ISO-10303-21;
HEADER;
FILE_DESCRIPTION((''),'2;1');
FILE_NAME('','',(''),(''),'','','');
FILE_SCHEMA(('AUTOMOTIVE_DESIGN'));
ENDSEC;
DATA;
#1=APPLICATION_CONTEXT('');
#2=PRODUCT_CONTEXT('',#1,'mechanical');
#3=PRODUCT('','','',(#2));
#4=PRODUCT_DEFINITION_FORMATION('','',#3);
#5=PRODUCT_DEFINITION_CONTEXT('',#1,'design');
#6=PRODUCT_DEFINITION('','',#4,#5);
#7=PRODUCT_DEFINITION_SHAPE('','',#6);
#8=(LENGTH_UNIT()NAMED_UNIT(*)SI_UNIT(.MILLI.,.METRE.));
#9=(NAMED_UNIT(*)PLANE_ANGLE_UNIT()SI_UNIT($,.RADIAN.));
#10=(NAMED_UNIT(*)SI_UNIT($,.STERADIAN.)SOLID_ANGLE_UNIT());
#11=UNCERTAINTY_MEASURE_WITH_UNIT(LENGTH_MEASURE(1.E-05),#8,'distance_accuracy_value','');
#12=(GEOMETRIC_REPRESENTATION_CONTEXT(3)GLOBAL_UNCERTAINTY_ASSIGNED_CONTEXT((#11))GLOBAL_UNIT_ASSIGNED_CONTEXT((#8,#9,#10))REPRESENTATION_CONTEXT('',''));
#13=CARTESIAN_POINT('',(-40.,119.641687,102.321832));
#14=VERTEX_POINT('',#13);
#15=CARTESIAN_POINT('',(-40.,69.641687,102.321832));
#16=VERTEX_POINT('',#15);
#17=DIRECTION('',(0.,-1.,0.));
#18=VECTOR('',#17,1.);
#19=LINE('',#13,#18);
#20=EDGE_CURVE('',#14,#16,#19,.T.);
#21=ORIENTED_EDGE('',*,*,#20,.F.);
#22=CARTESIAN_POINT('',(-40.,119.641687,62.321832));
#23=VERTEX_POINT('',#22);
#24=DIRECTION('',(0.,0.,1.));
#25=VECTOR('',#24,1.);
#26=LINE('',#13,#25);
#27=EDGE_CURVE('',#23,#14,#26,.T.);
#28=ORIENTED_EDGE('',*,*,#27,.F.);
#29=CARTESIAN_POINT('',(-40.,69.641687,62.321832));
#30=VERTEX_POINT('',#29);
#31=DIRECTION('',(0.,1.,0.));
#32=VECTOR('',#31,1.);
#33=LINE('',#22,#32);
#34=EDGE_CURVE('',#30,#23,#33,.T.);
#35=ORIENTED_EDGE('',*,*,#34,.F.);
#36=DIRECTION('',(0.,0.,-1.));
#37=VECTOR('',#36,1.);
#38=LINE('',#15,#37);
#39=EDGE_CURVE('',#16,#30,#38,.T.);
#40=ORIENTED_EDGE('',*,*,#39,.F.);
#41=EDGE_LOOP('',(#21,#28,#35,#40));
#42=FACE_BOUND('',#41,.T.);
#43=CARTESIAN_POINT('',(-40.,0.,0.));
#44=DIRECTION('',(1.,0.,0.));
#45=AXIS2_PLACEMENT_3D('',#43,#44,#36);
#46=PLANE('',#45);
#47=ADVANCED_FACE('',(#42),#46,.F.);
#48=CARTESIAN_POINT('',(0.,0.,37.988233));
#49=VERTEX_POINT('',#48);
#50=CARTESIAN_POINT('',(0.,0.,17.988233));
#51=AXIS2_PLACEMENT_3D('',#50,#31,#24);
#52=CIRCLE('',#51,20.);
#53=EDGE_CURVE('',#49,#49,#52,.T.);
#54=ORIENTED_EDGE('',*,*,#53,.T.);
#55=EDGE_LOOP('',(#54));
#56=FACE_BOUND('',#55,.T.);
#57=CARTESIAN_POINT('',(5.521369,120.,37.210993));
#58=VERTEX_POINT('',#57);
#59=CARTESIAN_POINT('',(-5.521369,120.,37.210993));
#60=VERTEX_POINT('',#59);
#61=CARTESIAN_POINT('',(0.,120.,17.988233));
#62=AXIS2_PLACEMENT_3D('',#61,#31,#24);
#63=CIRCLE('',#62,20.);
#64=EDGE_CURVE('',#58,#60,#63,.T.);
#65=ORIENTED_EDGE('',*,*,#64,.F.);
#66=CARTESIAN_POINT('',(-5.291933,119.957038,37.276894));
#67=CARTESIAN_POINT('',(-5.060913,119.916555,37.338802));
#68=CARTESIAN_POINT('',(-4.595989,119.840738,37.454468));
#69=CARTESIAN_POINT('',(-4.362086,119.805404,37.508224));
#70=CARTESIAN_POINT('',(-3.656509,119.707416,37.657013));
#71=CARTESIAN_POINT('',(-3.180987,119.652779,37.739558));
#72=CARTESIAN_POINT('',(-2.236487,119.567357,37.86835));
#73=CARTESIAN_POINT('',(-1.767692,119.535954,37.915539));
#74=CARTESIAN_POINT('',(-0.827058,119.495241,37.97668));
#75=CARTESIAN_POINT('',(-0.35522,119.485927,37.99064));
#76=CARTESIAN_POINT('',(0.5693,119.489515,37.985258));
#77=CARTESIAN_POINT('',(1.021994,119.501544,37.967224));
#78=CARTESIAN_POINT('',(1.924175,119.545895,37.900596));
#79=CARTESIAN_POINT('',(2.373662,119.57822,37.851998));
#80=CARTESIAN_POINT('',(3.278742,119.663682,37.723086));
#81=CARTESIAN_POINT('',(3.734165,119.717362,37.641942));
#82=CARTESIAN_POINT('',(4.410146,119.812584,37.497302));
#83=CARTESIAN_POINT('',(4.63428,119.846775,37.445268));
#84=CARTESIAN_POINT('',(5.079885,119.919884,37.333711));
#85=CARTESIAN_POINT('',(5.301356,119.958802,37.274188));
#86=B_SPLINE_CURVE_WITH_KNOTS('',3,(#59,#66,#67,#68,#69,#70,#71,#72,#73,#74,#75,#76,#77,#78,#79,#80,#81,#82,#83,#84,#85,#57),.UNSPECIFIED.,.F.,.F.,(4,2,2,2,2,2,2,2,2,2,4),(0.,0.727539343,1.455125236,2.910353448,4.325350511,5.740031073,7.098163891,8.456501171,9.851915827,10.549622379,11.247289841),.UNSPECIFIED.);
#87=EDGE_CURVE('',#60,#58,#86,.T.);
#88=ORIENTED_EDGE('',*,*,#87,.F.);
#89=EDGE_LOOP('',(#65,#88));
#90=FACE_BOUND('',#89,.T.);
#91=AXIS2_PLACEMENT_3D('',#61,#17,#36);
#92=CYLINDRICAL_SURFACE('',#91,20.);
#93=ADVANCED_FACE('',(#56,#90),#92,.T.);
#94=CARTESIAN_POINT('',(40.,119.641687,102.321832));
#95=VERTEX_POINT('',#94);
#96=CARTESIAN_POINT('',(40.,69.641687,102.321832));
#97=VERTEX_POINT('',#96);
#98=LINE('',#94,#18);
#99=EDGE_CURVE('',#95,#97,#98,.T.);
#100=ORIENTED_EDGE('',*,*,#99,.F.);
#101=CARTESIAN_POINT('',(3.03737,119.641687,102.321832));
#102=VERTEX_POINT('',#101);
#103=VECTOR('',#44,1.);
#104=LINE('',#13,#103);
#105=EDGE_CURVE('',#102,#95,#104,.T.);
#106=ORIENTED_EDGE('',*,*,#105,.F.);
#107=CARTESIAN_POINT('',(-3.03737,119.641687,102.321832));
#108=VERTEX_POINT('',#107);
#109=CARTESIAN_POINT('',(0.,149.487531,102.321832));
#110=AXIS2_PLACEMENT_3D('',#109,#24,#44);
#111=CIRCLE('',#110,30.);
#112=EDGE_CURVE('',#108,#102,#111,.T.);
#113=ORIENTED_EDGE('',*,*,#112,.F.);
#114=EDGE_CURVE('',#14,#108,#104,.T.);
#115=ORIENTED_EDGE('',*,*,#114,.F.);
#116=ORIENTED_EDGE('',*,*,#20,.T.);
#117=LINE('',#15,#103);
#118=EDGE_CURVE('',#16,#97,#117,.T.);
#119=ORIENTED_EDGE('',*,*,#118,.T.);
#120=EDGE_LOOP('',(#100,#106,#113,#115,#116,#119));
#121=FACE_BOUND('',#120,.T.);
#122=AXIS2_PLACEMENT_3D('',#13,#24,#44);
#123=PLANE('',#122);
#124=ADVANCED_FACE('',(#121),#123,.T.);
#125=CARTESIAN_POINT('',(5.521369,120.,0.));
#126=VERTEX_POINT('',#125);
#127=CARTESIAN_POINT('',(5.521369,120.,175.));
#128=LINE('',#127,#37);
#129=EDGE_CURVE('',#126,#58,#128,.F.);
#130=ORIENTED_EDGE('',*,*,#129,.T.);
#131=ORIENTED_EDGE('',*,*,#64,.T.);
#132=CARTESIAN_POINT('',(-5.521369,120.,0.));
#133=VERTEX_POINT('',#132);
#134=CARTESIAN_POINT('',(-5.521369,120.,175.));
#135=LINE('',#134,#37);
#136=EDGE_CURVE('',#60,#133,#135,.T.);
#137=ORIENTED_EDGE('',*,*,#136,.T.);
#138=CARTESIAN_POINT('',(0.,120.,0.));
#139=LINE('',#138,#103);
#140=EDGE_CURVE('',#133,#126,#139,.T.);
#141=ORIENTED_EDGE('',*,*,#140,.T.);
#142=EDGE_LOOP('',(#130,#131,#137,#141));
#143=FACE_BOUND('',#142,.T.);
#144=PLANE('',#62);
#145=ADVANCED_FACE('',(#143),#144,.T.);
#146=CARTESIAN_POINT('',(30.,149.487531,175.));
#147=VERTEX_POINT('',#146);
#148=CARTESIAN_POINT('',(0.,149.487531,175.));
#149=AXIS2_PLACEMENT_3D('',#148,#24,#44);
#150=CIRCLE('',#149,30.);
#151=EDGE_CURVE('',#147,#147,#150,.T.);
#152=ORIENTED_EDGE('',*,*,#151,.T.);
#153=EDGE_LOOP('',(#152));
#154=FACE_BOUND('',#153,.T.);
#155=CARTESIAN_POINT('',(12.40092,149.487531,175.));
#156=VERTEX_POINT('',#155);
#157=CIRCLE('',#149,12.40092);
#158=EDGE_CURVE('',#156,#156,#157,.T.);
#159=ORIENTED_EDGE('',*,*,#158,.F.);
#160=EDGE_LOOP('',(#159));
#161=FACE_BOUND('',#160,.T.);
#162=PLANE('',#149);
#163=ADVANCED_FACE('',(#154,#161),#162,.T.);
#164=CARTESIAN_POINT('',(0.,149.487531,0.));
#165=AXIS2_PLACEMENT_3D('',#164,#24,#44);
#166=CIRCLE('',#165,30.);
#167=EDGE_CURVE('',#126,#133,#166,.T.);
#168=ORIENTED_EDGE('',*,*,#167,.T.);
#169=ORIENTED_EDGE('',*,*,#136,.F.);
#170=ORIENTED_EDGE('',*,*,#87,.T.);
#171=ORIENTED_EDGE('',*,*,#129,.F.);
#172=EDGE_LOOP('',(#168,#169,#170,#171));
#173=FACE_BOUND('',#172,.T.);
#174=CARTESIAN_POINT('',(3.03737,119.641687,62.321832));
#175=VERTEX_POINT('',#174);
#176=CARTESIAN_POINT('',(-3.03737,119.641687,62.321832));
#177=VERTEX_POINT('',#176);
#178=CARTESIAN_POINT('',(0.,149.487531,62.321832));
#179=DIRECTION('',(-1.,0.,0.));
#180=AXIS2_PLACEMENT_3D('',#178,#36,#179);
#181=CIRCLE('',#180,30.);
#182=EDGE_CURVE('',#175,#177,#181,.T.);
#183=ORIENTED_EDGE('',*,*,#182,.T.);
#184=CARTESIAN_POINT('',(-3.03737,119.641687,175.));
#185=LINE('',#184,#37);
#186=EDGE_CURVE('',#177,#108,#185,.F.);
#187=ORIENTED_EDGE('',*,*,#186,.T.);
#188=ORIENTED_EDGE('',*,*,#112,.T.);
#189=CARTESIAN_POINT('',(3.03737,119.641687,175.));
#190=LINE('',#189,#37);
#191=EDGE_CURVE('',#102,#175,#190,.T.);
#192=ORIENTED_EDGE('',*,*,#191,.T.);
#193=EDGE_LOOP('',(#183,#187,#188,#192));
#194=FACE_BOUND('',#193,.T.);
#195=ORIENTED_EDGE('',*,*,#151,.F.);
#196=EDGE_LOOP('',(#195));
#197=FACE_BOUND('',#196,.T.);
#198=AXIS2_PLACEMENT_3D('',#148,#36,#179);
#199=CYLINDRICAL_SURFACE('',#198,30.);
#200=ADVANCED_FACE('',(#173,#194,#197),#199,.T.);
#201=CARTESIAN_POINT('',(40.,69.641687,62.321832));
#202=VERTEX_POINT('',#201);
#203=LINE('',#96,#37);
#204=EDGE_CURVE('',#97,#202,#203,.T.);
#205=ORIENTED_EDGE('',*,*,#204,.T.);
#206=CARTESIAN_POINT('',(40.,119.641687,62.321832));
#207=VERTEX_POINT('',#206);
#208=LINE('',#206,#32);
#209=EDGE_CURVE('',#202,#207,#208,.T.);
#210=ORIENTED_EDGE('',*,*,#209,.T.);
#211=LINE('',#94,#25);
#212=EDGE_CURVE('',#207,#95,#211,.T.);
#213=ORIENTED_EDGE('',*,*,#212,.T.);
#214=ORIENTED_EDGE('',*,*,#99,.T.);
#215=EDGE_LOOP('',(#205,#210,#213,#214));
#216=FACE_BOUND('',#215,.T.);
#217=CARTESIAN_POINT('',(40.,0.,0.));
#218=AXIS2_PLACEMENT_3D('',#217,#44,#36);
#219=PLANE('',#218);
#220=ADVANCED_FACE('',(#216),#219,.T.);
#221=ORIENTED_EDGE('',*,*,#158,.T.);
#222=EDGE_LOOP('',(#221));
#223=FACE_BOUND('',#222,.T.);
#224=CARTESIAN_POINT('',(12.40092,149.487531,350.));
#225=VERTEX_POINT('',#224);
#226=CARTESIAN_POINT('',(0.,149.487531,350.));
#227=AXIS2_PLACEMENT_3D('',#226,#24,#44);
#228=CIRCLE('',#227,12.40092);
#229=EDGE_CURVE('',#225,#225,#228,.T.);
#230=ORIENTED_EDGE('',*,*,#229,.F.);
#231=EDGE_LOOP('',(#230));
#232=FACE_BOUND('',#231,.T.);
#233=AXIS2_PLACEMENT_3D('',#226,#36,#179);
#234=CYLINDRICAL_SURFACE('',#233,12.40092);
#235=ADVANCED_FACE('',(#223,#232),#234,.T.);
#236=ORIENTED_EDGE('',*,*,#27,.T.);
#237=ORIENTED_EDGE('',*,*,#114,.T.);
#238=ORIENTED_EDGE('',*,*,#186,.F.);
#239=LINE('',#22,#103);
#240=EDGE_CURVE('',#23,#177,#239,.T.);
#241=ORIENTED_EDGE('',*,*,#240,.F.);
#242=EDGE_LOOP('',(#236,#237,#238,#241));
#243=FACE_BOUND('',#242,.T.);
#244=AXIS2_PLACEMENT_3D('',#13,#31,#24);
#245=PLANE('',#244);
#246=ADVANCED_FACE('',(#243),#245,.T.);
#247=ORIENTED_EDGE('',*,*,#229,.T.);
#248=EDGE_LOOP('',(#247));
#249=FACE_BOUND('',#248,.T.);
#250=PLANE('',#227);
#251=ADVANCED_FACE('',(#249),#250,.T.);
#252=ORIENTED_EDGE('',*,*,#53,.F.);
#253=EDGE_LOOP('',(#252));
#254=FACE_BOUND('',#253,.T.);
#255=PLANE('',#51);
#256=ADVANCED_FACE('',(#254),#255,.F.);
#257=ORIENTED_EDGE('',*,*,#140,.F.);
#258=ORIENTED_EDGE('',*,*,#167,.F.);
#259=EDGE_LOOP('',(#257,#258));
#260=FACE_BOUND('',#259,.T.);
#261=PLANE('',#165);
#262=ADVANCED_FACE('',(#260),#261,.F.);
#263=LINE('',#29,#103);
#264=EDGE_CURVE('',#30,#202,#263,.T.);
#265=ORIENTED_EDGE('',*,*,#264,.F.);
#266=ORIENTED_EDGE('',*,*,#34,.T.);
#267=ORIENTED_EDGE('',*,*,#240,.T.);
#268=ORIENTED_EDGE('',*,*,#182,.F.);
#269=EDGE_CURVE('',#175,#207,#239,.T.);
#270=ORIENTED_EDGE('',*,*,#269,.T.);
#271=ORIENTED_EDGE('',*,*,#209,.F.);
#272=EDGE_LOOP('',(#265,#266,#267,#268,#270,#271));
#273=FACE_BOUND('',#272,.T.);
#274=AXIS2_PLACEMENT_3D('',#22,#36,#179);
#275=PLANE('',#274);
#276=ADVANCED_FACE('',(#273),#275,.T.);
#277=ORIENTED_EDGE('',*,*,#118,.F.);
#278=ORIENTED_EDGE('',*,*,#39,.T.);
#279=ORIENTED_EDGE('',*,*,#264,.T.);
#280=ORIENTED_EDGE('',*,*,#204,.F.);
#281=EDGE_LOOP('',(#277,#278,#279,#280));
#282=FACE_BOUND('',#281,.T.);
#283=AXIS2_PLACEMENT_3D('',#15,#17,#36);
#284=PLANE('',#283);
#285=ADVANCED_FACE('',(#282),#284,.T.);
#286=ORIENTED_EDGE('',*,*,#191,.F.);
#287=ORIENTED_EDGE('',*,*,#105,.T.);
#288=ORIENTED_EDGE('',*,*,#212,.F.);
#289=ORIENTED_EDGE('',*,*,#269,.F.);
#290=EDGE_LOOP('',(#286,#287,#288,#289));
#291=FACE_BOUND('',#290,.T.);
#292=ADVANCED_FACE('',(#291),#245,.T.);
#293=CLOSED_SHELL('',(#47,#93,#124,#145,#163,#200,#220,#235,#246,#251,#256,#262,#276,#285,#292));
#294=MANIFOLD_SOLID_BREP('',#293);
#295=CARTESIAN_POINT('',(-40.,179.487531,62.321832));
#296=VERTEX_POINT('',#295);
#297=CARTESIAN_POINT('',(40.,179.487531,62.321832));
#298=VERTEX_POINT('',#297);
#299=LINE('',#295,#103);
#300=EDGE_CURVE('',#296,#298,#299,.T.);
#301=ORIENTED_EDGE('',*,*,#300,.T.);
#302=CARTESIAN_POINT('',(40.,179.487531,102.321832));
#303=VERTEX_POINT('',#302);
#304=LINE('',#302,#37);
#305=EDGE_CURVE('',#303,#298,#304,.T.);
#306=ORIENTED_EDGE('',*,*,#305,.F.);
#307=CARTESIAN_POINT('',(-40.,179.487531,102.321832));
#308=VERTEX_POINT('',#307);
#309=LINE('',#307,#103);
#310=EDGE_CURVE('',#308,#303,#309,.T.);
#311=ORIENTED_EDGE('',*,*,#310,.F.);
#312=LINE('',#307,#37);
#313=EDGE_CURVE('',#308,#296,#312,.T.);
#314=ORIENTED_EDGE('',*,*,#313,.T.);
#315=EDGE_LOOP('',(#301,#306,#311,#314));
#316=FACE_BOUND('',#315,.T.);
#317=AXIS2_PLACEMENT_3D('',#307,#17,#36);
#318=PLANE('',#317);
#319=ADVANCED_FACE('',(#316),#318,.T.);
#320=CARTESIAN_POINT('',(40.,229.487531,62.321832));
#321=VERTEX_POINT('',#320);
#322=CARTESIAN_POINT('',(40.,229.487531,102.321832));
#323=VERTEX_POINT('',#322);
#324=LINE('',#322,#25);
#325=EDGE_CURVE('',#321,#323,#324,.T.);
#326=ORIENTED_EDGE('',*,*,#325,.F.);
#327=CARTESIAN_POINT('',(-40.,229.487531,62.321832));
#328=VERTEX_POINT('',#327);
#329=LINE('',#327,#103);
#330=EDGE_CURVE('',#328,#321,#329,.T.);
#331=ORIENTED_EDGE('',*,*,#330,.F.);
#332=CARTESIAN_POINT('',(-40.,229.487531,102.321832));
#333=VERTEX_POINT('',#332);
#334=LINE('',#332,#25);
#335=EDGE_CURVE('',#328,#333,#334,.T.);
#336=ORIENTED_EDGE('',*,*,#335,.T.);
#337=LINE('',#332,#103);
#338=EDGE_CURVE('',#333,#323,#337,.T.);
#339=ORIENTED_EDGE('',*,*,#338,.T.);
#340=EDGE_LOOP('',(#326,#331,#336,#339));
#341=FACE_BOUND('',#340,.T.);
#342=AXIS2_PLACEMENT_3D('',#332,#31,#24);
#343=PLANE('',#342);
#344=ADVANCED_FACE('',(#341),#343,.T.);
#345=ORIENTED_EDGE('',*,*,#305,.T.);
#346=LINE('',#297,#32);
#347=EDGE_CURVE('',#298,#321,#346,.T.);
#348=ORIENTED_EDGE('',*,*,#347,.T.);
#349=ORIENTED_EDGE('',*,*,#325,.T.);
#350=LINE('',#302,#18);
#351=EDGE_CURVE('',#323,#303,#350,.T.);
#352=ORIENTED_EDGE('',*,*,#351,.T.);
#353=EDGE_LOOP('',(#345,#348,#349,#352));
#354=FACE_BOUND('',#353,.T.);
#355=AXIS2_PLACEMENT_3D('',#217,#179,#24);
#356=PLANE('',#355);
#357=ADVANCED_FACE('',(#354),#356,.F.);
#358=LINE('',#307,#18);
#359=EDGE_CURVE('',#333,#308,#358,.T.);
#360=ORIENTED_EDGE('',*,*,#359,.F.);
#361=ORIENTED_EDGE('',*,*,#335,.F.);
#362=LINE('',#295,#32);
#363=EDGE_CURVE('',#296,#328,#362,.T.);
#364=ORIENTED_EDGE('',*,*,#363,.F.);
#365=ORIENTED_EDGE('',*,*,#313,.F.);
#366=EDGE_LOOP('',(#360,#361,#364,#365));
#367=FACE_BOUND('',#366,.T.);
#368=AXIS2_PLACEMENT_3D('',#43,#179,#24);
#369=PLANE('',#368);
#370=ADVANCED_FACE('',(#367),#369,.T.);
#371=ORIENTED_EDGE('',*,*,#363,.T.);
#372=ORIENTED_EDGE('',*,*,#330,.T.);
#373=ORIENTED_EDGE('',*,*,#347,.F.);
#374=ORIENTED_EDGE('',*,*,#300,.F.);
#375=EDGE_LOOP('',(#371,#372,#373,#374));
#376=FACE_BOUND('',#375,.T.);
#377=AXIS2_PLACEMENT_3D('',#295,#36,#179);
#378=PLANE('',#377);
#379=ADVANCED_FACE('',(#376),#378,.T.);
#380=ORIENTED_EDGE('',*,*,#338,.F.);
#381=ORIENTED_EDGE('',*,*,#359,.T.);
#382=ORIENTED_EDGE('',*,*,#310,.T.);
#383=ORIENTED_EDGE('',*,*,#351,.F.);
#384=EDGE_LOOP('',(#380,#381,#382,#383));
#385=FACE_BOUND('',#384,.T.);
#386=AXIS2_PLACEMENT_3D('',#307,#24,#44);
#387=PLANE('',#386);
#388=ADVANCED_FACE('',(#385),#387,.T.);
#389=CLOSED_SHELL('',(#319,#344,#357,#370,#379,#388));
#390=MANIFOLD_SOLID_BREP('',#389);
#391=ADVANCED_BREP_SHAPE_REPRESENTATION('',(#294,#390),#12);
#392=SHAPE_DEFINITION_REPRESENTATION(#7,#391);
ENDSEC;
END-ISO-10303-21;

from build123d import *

# Parameters (mm, degrees)
SKETCH1_R                = 20
BOSS_EXTRUDE1_DEPTH      = 120
SKETCH2_R                = 30
BOSS_EXTRUDE2_DEPTH      = 175
SKETCH3_R                = 12.400920413
BOSS_EXTRUDE3_DEPTH      = 175
BOSS_EXTRUDE4_DEPTH      = 40
BOSS_EXTRUDE4_DEPTH_BACK = 40
SKETCH4_W                = 40
SKETCH4_H                = 50


with BuildPart() as part:
    # Sketch1 → Boss-Extrude1 (new body)
    with BuildSketch(Plane(origin=(0, 0, 17.988233235), x_dir=(1, 0, 0), z_dir=(0, 1, 0))):
        Circle(SKETCH1_R)
    extrude(amount=BOSS_EXTRUDE1_DEPTH)

    # Sketch2 → Boss-Extrude2 (add)
    with BuildSketch(Plane.XY):
        with Locations((0, 149.487531085)):
            Circle(SKETCH2_R)
    extrude(amount=BOSS_EXTRUDE2_DEPTH)

    # Sketch3 → Boss-Extrude3 (add)
    with BuildSketch(Plane.XY.offset(175)):
        with Locations((0, 149.487531085)):
            Circle(SKETCH3_R)
    extrude(amount=BOSS_EXTRUDE3_DEPTH)

    # Sketch4 → Boss-Extrude4 (add, two sides: drawn at the far end of the back side and taken through both)
    with BuildSketch(Plane(origin=(0, 0, 0), x_dir=(0, 0, -1), z_dir=(1, 0, 0)).offset(-BOSS_EXTRUDE4_DEPTH_BACK)):
        with Locations((-82.321831747, 94.641687433)):
            Rectangle(SKETCH4_W, SKETCH4_H)
        with Locations((-82.321831747, 204.487531085)):
            Rectangle(SKETCH4_W, SKETCH4_H)
    extrude(amount=BOSS_EXTRUDE4_DEPTH + BOSS_EXTRUDE4_DEPTH_BACK)


with BuildPart() as boss_extrude4_piece_1:
    # of the separate pieces the step leaves, piece 1, a body of its own (boss_extrude4_pieces)
    add(part.part.solids().sort_by_distance((20, 0, 17.988233235))[0])


with BuildPart() as boss_extrude4_piece_2:
    # of the separate pieces the step leaves, piece 2, a body of its own (boss_extrude4_pieces)
    add(part.part.solids().sort_by_distance((40, 179.487531085, 102.321831747))[0])


solid = Compound([boss_extrude4_piece_1.part, boss_extrude4_piece_2.part])
